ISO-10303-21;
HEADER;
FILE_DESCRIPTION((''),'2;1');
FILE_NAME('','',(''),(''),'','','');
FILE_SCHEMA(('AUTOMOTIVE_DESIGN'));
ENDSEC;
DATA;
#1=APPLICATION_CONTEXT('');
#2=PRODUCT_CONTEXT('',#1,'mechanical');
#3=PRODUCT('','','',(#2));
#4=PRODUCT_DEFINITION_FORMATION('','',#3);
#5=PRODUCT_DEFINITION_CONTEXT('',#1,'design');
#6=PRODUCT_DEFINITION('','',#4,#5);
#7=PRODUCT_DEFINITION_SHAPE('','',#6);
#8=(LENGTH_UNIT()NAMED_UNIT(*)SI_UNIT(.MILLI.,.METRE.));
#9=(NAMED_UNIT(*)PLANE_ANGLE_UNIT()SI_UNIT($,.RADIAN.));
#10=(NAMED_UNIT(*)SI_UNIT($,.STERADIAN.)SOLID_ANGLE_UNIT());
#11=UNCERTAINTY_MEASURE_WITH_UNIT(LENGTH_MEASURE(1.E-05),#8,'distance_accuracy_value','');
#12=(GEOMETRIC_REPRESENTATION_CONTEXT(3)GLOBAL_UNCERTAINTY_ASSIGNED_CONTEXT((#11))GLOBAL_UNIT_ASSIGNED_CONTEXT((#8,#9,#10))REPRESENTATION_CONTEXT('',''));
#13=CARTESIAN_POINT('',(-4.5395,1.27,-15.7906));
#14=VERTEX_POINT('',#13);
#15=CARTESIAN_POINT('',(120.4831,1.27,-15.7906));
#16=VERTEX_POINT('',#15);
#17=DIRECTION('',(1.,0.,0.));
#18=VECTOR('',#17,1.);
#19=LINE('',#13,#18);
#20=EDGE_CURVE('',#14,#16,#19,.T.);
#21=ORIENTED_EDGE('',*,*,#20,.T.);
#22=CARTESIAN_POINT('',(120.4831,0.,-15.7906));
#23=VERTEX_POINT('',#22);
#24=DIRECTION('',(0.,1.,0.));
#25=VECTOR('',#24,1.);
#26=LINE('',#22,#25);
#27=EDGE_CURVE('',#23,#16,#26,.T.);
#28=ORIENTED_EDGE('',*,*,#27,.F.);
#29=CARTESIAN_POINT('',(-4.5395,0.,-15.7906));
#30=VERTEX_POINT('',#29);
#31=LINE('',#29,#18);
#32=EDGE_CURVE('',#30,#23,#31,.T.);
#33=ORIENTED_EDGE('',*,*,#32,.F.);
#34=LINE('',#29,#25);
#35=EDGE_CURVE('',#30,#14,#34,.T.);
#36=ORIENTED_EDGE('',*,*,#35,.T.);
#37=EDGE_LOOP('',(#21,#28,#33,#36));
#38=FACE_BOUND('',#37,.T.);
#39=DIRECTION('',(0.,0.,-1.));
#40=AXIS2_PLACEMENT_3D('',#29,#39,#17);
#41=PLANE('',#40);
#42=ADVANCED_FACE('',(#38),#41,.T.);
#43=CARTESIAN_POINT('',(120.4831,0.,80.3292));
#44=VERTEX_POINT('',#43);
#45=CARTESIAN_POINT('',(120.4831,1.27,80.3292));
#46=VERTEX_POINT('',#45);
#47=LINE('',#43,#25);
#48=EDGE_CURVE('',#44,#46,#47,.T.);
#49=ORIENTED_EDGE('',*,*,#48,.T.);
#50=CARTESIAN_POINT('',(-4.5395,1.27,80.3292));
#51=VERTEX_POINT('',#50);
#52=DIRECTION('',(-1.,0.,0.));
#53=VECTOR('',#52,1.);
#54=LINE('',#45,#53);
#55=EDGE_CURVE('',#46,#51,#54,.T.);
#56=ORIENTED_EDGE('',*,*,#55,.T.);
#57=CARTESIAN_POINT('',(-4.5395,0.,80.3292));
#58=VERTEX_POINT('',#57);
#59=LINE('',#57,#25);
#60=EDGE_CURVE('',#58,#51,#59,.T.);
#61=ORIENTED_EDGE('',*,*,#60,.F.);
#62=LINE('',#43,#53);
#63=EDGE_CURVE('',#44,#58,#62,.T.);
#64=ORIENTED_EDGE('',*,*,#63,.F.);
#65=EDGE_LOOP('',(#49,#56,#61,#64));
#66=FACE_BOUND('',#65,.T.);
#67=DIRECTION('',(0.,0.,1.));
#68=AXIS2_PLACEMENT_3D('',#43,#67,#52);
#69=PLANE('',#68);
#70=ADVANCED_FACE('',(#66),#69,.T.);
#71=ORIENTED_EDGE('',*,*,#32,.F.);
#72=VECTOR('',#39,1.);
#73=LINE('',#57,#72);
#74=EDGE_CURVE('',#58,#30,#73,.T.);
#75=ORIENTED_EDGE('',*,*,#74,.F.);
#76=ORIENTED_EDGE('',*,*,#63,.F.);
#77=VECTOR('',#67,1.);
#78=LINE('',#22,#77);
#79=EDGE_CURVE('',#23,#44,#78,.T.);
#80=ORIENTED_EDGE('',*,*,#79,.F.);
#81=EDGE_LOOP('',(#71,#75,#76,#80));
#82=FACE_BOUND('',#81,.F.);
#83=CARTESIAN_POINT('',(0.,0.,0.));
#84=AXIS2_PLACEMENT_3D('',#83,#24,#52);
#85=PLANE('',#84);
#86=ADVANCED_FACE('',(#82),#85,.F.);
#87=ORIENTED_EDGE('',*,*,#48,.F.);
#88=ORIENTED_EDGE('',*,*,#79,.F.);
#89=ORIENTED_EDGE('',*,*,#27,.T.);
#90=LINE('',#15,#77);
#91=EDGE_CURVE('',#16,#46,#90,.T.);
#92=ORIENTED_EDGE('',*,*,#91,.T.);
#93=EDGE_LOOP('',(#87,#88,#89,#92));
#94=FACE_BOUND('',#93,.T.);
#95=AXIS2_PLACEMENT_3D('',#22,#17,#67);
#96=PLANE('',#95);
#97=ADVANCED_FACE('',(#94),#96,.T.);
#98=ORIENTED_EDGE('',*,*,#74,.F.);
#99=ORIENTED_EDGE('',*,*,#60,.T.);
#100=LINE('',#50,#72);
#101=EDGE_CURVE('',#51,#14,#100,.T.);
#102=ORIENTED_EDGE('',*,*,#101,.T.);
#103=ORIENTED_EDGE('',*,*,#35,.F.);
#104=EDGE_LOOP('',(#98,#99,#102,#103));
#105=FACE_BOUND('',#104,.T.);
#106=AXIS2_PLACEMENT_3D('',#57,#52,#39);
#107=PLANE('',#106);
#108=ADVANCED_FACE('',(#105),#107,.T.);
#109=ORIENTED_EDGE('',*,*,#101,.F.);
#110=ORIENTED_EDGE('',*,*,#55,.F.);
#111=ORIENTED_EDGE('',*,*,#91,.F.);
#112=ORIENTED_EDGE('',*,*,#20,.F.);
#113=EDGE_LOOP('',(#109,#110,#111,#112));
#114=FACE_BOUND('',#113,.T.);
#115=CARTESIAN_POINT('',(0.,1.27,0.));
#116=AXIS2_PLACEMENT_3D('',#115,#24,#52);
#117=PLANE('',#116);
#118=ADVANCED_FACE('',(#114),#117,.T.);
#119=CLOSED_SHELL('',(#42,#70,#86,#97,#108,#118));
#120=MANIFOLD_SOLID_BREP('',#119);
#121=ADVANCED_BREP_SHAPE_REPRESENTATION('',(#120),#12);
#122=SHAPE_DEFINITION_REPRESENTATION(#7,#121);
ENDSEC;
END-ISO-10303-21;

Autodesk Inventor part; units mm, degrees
ref_plane "YZ Plane" through (0, 0, 0) normal (1, 0, 0) x (0, 1, 0)
ref_plane "XZ Plane" through (0, 0, 0) normal (0, 1, 0) x (-1, 0, 0)
ref_plane "XY Plane" through (0, 0, 0) normal (0, 0, 1) x (1, 0, 0)
sketch "Sketch1" plane through (0, 0, 0) normal (0, 1, 0) x (-1, 0, 0)
  line L0 (-120.4831, 80.3292) -> (4.5395, 80.3292)
  line L1 (4.5395, 80.3292) -> (4.5395, -15.7906)
  line L2 (4.5395, -15.7906) -> (-120.4831, -15.7906)
  line L3 (-120.4831, -15.7906) -> (-120.4831, 80.3292)
  point P0 (0, 0)
extrude "Extrusion1" add sketch "Sketch1" along normal blind 1.27
properties part number "acrylic cover" material "PMMA Plastic"
